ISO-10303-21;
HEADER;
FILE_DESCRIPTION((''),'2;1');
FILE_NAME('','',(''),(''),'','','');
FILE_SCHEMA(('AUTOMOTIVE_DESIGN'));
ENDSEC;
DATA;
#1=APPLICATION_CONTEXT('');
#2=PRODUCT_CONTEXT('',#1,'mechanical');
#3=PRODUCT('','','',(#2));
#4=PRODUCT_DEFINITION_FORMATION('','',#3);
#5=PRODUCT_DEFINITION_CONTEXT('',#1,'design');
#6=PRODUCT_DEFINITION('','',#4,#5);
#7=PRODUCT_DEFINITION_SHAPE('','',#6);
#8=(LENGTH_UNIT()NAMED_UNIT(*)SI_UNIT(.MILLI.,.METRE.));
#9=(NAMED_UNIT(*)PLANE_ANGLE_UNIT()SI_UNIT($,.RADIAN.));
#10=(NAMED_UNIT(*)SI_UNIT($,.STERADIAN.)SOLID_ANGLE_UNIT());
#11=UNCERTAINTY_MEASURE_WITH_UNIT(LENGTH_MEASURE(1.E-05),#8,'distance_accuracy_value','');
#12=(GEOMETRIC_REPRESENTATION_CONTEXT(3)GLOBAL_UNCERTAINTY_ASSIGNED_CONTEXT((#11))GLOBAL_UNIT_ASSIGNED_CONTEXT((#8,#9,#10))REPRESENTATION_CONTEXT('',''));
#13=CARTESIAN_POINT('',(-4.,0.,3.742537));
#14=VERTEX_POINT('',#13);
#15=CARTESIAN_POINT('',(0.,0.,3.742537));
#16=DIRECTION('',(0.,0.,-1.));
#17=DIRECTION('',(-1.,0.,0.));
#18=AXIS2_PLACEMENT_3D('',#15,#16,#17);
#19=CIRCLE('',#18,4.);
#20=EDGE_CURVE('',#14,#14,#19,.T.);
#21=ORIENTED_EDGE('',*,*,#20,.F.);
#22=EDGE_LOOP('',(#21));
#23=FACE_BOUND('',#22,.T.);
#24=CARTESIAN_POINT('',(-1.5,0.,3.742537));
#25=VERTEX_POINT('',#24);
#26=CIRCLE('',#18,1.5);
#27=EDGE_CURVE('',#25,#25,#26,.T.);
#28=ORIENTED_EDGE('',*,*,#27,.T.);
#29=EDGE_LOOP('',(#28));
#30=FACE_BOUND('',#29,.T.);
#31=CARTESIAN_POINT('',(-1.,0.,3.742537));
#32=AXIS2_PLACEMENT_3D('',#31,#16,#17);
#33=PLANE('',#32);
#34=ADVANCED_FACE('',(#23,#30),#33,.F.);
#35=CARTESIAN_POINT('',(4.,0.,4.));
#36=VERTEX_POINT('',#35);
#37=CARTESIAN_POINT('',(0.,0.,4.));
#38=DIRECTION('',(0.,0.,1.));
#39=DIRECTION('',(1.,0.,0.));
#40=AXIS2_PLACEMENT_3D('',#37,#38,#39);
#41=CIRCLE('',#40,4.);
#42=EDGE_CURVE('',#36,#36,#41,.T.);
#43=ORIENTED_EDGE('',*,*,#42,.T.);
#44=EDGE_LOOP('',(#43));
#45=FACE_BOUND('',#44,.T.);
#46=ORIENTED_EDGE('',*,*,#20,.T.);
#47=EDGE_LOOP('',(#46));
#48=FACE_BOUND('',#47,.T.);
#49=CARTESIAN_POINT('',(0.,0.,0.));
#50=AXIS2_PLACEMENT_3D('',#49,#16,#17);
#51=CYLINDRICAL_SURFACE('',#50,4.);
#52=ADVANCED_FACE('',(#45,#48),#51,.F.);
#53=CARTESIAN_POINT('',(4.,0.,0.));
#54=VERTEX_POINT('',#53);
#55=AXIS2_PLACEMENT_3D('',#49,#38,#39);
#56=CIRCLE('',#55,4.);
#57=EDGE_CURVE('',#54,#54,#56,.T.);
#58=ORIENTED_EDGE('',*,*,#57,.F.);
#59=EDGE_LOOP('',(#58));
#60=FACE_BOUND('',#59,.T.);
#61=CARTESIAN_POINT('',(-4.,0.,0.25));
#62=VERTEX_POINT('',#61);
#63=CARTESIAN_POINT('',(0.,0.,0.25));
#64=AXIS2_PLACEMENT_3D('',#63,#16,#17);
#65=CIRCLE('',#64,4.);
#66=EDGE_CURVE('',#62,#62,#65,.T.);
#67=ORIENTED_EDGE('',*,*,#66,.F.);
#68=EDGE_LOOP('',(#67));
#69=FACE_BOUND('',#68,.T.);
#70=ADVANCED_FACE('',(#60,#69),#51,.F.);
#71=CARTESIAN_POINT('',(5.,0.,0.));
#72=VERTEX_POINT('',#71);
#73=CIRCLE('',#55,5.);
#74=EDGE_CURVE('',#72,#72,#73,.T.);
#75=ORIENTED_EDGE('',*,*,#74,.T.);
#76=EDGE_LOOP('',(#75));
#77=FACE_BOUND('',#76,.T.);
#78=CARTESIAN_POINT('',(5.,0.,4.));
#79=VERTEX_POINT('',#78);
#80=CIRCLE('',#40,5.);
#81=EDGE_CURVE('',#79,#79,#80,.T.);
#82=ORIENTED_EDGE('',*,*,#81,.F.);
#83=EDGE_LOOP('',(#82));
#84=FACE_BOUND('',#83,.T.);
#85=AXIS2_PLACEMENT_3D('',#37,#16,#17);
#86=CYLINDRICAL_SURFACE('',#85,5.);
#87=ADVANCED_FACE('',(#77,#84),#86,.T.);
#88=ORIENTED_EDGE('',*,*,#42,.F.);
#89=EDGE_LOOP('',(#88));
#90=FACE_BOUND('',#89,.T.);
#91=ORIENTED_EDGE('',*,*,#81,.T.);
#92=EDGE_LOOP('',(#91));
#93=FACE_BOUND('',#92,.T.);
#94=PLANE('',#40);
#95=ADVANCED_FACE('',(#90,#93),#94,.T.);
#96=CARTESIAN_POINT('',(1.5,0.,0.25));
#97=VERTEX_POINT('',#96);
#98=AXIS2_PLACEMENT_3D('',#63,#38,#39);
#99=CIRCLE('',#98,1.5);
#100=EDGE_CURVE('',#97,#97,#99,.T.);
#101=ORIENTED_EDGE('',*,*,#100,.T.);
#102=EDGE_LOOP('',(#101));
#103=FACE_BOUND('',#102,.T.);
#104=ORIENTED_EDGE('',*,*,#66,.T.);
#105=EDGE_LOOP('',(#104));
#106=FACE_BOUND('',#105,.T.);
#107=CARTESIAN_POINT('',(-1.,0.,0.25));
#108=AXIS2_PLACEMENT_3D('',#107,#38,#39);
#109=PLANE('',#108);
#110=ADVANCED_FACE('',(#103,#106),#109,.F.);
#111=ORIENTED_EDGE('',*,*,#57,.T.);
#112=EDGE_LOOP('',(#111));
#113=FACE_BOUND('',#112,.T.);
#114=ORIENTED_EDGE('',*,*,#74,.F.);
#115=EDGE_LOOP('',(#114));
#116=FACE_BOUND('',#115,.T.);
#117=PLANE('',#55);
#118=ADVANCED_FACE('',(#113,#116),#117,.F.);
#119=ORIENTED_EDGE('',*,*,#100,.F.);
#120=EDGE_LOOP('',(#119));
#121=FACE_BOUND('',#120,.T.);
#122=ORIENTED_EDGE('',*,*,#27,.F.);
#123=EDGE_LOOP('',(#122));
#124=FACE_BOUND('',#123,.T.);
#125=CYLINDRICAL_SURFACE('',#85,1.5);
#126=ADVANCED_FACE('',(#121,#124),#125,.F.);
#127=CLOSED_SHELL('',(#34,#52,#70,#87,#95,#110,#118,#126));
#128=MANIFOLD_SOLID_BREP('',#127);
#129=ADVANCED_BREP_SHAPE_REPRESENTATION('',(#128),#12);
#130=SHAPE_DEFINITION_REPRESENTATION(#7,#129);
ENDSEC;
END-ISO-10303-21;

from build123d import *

# Parameters (mm, degrees)
SKETCH2_R           = 5
SKETCH2_R_2         = 1.5
BOSS_EXTRUDE1_DEPTH = 4
SKETCH3_W           = 3
SKETCH3_H           = 0.5


with BuildPart() as part:
    # Sketch2 → Boss-Extrude1 (new body)
    with BuildSketch(Plane.XY):
        Circle(SKETCH2_R)
        Circle(SKETCH2_R_2, mode=Mode.SUBTRACT)
    extrude(amount=BOSS_EXTRUDE1_DEPTH)

    # Sketch3 → Cut-Revolve1 (revolve, cut)
    with BuildSketch(Plane(origin=(0, 0, 0), x_dir=(1, 0, 0), z_dir=(0, 1, 0))):
        with Locations((-2.5, 0)):
            Rectangle(SKETCH3_W, SKETCH3_H)
        with Locations((-2.5, -3.992537494)):
            Rectangle(SKETCH3_W, SKETCH3_H)
    revolve(axis=Axis((0, 0, 0), (0, 0, 1)), mode=Mode.SUBTRACT)


solid = part.part
